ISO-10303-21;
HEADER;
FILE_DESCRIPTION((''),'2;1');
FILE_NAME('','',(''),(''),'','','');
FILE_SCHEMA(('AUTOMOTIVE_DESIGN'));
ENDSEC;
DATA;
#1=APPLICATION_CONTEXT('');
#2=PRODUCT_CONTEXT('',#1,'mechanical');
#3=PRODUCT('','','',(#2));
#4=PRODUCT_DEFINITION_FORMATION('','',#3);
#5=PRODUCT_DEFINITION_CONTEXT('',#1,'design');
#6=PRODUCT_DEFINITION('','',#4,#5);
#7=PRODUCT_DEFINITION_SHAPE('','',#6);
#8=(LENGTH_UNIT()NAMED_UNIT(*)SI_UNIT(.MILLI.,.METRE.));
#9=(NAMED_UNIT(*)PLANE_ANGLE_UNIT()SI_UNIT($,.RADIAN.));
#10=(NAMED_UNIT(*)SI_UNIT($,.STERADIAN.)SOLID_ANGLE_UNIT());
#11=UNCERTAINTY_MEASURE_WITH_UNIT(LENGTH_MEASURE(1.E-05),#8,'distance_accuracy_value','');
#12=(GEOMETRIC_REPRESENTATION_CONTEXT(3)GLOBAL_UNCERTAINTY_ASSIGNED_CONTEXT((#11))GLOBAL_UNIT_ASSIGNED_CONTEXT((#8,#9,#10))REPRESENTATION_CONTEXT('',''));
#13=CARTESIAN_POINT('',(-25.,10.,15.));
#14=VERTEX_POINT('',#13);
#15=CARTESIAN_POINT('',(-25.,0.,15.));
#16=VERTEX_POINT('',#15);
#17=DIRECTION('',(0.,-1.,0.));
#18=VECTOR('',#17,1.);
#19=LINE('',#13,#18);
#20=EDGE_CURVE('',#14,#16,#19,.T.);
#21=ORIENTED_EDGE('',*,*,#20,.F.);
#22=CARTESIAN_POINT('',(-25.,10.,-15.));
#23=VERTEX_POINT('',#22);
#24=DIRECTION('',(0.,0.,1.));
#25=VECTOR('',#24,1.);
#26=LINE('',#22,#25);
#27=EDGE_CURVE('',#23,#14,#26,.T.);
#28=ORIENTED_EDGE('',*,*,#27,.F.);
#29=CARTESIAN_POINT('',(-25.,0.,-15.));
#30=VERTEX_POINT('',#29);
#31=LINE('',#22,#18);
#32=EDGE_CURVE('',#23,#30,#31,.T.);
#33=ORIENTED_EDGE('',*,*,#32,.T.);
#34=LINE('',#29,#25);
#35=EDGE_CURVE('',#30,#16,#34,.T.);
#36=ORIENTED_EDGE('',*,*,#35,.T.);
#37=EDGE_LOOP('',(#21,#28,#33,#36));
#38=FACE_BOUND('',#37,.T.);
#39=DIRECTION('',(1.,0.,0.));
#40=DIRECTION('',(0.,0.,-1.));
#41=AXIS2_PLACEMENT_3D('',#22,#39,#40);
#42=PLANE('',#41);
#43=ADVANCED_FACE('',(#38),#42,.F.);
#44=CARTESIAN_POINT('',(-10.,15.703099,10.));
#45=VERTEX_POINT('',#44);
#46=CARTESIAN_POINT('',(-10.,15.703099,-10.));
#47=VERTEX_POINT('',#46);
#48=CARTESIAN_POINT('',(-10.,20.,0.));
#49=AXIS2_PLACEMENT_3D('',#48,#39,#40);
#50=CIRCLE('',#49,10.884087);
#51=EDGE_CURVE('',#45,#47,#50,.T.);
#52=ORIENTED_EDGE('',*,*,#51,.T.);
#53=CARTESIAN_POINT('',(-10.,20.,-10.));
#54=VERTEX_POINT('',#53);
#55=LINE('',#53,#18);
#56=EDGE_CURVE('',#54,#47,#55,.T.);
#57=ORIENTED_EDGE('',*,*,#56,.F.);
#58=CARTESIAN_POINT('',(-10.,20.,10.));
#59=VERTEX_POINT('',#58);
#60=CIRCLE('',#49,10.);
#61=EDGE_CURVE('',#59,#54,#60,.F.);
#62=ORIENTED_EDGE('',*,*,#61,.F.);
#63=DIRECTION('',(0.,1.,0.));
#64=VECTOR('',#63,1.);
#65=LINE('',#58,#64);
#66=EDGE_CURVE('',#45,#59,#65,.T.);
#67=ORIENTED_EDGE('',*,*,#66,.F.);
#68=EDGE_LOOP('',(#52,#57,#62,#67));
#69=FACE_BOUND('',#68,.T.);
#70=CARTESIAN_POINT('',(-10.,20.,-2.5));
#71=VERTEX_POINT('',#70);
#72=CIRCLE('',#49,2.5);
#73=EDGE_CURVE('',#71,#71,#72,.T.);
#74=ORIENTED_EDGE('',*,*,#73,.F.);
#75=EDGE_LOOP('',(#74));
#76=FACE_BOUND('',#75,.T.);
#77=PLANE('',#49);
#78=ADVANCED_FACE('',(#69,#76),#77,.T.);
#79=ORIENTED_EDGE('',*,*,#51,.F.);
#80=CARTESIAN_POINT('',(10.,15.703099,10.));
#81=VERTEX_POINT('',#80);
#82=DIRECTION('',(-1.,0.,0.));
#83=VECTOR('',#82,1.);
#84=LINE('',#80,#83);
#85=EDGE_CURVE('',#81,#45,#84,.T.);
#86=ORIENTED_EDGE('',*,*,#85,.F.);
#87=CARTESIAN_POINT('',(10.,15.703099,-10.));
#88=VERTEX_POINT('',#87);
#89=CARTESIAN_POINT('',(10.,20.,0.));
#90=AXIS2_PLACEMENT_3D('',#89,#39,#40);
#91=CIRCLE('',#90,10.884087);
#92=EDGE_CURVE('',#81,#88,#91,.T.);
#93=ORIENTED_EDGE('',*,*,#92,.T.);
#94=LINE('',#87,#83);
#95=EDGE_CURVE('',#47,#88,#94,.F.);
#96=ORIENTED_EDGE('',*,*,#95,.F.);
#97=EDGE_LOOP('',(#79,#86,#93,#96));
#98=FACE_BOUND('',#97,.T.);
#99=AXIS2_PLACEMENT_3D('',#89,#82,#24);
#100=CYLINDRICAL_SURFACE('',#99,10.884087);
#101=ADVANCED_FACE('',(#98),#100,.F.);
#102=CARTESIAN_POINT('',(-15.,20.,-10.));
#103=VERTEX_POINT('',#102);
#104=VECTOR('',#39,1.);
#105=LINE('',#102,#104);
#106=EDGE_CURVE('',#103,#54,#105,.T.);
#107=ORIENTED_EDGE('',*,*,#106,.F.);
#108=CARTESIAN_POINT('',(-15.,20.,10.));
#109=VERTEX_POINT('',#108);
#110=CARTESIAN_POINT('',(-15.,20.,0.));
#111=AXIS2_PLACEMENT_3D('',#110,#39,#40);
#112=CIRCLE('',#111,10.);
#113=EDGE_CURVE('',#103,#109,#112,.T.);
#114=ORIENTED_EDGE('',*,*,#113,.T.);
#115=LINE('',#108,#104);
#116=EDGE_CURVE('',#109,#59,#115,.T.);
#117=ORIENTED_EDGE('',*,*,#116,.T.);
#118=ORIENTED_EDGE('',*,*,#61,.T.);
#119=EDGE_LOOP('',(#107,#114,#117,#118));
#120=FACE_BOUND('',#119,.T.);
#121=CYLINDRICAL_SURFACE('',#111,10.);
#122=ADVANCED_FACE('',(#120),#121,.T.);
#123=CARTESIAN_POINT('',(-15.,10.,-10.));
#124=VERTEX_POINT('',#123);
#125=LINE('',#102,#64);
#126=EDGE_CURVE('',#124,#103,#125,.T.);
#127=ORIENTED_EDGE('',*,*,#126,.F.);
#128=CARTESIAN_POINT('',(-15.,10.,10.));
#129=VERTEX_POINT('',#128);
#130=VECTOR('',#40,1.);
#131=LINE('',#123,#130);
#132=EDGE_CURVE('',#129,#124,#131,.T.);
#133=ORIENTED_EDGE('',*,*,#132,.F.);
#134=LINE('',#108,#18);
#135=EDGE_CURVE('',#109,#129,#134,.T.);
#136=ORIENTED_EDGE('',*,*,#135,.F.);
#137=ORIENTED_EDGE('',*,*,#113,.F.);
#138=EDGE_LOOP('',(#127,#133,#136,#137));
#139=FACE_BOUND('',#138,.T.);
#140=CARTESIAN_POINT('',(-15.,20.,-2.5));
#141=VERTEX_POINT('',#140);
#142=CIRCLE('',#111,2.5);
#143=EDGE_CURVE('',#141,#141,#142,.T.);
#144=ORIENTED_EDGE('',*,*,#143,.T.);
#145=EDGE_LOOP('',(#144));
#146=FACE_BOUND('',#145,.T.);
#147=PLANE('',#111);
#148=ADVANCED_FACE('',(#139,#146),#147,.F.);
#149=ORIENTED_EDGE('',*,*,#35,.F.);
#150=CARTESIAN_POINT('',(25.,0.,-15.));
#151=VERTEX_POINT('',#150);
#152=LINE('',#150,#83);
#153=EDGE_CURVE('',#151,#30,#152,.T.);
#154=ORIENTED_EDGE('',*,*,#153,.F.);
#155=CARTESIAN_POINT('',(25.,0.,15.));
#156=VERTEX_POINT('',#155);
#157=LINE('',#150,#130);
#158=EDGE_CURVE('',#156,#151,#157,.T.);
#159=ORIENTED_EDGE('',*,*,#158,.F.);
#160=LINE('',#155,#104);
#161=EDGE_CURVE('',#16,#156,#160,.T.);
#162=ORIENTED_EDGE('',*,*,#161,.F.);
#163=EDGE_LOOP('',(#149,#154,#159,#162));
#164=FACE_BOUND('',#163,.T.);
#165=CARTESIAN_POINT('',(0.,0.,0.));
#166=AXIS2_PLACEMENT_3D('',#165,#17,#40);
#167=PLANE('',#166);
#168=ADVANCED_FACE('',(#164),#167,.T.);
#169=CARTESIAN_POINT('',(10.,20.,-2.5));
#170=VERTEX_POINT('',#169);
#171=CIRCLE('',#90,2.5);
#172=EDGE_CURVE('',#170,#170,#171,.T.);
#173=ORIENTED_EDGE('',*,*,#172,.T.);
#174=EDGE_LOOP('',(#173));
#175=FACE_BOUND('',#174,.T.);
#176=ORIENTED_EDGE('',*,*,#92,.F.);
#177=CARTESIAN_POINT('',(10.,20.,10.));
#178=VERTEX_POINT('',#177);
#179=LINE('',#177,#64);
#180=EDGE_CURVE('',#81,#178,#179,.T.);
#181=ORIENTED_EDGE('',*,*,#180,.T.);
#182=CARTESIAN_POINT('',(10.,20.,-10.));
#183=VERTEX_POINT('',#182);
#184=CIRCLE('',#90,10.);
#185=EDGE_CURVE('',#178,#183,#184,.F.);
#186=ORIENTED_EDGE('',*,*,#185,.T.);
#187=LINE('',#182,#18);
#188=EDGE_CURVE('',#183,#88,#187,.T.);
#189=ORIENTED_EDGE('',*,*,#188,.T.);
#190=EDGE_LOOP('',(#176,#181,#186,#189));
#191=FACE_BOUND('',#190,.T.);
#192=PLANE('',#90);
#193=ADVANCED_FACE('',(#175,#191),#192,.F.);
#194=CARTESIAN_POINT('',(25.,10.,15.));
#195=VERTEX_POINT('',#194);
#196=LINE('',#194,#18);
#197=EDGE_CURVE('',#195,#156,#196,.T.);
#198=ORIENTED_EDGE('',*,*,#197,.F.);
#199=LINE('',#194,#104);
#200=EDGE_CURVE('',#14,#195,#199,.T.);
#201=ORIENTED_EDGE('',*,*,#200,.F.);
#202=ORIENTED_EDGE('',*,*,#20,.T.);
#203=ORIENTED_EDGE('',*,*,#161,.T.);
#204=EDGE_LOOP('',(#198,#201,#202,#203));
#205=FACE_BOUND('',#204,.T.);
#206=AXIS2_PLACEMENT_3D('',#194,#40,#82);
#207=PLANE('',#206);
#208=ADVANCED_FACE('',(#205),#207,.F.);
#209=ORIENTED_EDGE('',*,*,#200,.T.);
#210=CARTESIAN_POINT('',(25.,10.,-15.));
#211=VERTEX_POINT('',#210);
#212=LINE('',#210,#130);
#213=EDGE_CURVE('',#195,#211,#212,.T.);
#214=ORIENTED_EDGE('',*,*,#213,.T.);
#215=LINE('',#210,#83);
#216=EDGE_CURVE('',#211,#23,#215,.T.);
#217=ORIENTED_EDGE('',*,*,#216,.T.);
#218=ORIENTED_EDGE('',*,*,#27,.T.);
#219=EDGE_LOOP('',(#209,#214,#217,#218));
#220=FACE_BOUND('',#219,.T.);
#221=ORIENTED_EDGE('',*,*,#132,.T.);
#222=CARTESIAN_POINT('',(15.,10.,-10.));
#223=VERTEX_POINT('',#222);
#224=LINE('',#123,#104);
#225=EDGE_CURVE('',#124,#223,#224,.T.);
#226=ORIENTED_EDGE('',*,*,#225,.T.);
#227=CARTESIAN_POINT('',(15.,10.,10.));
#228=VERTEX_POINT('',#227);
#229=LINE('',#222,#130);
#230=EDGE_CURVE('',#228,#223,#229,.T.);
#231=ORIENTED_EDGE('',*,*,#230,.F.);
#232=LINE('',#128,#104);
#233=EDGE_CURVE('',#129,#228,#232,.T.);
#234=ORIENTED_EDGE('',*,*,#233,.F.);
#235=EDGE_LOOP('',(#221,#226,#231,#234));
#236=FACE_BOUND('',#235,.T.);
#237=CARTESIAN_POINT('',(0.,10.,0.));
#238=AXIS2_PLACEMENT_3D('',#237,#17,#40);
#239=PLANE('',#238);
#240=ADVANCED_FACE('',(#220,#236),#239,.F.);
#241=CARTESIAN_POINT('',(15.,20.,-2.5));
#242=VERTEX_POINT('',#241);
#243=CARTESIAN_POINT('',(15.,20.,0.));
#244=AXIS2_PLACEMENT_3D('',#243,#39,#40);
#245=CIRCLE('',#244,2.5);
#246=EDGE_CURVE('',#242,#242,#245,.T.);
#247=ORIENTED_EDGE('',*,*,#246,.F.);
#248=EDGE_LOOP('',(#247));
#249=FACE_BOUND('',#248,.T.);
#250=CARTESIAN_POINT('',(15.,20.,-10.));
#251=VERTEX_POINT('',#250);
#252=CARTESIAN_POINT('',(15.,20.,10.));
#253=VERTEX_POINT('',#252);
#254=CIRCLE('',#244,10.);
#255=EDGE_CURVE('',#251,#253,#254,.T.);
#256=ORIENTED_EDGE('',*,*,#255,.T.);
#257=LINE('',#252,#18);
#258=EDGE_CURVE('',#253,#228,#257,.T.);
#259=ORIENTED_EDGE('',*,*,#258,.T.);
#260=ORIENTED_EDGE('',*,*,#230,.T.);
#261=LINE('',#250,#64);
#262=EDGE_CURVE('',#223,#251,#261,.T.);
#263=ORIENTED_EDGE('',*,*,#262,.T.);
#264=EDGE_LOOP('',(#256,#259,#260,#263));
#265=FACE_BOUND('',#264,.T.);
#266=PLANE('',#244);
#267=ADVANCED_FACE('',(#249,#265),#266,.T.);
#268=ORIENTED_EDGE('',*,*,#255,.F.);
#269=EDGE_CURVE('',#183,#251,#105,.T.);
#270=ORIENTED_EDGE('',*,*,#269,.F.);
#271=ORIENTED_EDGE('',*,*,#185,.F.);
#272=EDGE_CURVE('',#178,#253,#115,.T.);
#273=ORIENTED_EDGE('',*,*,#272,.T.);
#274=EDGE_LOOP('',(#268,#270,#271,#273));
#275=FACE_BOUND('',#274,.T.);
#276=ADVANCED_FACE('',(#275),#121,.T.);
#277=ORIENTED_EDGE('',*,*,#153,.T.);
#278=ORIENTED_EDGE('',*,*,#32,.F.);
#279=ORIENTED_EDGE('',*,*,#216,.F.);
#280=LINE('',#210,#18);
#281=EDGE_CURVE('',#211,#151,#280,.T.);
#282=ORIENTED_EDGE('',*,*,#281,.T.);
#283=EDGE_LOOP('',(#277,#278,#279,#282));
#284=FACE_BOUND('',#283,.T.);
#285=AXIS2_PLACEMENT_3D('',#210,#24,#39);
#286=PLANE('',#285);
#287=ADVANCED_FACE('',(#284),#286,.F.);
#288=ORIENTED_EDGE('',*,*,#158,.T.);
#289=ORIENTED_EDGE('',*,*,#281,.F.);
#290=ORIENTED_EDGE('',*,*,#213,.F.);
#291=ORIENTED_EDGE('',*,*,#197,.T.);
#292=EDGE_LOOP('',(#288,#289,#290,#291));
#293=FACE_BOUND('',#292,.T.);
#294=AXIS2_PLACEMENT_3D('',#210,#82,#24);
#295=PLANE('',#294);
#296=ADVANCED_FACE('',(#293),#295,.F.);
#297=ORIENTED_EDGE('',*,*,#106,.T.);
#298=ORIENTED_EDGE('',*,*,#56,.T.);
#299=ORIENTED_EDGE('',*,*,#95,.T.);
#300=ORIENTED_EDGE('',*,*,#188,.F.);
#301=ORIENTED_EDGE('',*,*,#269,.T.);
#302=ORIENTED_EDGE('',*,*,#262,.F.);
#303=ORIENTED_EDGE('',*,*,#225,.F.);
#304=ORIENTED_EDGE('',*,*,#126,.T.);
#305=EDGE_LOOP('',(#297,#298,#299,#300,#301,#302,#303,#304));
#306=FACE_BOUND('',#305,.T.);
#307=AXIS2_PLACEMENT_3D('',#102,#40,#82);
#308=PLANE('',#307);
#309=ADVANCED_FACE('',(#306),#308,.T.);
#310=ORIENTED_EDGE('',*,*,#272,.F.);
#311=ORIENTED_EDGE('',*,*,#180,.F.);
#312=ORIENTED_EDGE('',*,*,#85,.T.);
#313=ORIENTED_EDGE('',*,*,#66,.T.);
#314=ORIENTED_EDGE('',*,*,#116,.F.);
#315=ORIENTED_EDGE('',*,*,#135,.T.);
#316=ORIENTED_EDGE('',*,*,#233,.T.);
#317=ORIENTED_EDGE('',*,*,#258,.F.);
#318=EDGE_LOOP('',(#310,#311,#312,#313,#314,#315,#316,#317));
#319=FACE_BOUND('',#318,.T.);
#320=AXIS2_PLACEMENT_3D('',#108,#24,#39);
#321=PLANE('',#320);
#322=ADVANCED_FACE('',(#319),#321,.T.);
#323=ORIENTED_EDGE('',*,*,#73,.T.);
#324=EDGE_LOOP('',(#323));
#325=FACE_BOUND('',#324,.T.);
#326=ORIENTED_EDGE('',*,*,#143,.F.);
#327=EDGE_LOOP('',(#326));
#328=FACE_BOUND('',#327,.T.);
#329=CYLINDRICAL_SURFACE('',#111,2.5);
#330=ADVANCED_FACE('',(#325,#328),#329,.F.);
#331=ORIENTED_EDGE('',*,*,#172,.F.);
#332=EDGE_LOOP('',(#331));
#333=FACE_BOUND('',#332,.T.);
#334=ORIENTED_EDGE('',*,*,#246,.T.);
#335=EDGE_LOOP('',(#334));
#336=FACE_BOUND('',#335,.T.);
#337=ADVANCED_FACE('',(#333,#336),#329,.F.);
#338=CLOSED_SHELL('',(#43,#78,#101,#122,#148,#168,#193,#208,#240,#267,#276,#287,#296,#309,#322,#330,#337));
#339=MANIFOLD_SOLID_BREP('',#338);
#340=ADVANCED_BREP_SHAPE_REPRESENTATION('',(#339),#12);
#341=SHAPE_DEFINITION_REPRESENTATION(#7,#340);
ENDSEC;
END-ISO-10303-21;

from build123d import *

# Parameters (mm, degrees)
ESQUISSE1_W                  = 50
ESQUISSE1_H                  = 30
BOSS_EXTRU_1_DEPTH           = 10
BOSS_EXTRU_2_DEPTH           = 15
BOSS_EXTRU_2_DEPTH_BACK      = 15
ESQUISSE2_R                  = 2.5
ENL_V_MAT_EXTRU_1_DEPTH      = 10
ENL_V_MAT_EXTRU_1_DEPTH_BACK = 10
ESQUISSE3_R                  = 10.88408721
ESQUISSE3_R_2                = 2.5


with BuildPart() as part:
    # Esquisse1 → Boss.-Extru.1 (new body)
    with BuildSketch(Plane(origin=(0, 0, 0), x_dir=(1, 0, 0), z_dir=(0, 1, 0))):
        Rectangle(ESQUISSE1_W, ESQUISSE1_H)
    extrude(amount=BOSS_EXTRU_1_DEPTH)

    # Esquisse2 → Boss.-Extru.2 (add, two sides: drawn at the far end of the back side and taken through both)
    with BuildSketch(Plane(origin=(0, 0, 0), x_dir=(0, 0, -1), z_dir=(1, 0, 0)).offset(-BOSS_EXTRU_2_DEPTH_BACK)):
        with BuildLine():
            Line((-10, 20), (-10, 10))
            Line((-10, 10), (10, 10))
            Line((10, 10), (10, 20))
            ThreePointArc((10, 20), (0, 30), (-10, 20))
        make_face()
        with Locations((0, 20)):
            Circle(ESQUISSE2_R, mode=Mode.SUBTRACT)
    extrude(amount=BOSS_EXTRU_2_DEPTH + BOSS_EXTRU_2_DEPTH_BACK)

    # Esquisse3 → Enlèv. mat.-Extru.1 (cut, two sides: drawn at the far end of the back side and taken through both)
    with BuildSketch(Plane(origin=(0, 0, 0), x_dir=(0, 0, -1), z_dir=(1, 0, 0)).offset(-ENL_V_MAT_EXTRU_1_DEPTH_BACK)):
        with Locations((0, 20)):
            Circle(ESQUISSE3_R)
        with Locations((0, 20)):
            Circle(ESQUISSE3_R_2, mode=Mode.SUBTRACT)
    extrude(amount=ENL_V_MAT_EXTRU_1_DEPTH + ENL_V_MAT_EXTRU_1_DEPTH_BACK, mode=Mode.SUBTRACT)


solid = part.part
